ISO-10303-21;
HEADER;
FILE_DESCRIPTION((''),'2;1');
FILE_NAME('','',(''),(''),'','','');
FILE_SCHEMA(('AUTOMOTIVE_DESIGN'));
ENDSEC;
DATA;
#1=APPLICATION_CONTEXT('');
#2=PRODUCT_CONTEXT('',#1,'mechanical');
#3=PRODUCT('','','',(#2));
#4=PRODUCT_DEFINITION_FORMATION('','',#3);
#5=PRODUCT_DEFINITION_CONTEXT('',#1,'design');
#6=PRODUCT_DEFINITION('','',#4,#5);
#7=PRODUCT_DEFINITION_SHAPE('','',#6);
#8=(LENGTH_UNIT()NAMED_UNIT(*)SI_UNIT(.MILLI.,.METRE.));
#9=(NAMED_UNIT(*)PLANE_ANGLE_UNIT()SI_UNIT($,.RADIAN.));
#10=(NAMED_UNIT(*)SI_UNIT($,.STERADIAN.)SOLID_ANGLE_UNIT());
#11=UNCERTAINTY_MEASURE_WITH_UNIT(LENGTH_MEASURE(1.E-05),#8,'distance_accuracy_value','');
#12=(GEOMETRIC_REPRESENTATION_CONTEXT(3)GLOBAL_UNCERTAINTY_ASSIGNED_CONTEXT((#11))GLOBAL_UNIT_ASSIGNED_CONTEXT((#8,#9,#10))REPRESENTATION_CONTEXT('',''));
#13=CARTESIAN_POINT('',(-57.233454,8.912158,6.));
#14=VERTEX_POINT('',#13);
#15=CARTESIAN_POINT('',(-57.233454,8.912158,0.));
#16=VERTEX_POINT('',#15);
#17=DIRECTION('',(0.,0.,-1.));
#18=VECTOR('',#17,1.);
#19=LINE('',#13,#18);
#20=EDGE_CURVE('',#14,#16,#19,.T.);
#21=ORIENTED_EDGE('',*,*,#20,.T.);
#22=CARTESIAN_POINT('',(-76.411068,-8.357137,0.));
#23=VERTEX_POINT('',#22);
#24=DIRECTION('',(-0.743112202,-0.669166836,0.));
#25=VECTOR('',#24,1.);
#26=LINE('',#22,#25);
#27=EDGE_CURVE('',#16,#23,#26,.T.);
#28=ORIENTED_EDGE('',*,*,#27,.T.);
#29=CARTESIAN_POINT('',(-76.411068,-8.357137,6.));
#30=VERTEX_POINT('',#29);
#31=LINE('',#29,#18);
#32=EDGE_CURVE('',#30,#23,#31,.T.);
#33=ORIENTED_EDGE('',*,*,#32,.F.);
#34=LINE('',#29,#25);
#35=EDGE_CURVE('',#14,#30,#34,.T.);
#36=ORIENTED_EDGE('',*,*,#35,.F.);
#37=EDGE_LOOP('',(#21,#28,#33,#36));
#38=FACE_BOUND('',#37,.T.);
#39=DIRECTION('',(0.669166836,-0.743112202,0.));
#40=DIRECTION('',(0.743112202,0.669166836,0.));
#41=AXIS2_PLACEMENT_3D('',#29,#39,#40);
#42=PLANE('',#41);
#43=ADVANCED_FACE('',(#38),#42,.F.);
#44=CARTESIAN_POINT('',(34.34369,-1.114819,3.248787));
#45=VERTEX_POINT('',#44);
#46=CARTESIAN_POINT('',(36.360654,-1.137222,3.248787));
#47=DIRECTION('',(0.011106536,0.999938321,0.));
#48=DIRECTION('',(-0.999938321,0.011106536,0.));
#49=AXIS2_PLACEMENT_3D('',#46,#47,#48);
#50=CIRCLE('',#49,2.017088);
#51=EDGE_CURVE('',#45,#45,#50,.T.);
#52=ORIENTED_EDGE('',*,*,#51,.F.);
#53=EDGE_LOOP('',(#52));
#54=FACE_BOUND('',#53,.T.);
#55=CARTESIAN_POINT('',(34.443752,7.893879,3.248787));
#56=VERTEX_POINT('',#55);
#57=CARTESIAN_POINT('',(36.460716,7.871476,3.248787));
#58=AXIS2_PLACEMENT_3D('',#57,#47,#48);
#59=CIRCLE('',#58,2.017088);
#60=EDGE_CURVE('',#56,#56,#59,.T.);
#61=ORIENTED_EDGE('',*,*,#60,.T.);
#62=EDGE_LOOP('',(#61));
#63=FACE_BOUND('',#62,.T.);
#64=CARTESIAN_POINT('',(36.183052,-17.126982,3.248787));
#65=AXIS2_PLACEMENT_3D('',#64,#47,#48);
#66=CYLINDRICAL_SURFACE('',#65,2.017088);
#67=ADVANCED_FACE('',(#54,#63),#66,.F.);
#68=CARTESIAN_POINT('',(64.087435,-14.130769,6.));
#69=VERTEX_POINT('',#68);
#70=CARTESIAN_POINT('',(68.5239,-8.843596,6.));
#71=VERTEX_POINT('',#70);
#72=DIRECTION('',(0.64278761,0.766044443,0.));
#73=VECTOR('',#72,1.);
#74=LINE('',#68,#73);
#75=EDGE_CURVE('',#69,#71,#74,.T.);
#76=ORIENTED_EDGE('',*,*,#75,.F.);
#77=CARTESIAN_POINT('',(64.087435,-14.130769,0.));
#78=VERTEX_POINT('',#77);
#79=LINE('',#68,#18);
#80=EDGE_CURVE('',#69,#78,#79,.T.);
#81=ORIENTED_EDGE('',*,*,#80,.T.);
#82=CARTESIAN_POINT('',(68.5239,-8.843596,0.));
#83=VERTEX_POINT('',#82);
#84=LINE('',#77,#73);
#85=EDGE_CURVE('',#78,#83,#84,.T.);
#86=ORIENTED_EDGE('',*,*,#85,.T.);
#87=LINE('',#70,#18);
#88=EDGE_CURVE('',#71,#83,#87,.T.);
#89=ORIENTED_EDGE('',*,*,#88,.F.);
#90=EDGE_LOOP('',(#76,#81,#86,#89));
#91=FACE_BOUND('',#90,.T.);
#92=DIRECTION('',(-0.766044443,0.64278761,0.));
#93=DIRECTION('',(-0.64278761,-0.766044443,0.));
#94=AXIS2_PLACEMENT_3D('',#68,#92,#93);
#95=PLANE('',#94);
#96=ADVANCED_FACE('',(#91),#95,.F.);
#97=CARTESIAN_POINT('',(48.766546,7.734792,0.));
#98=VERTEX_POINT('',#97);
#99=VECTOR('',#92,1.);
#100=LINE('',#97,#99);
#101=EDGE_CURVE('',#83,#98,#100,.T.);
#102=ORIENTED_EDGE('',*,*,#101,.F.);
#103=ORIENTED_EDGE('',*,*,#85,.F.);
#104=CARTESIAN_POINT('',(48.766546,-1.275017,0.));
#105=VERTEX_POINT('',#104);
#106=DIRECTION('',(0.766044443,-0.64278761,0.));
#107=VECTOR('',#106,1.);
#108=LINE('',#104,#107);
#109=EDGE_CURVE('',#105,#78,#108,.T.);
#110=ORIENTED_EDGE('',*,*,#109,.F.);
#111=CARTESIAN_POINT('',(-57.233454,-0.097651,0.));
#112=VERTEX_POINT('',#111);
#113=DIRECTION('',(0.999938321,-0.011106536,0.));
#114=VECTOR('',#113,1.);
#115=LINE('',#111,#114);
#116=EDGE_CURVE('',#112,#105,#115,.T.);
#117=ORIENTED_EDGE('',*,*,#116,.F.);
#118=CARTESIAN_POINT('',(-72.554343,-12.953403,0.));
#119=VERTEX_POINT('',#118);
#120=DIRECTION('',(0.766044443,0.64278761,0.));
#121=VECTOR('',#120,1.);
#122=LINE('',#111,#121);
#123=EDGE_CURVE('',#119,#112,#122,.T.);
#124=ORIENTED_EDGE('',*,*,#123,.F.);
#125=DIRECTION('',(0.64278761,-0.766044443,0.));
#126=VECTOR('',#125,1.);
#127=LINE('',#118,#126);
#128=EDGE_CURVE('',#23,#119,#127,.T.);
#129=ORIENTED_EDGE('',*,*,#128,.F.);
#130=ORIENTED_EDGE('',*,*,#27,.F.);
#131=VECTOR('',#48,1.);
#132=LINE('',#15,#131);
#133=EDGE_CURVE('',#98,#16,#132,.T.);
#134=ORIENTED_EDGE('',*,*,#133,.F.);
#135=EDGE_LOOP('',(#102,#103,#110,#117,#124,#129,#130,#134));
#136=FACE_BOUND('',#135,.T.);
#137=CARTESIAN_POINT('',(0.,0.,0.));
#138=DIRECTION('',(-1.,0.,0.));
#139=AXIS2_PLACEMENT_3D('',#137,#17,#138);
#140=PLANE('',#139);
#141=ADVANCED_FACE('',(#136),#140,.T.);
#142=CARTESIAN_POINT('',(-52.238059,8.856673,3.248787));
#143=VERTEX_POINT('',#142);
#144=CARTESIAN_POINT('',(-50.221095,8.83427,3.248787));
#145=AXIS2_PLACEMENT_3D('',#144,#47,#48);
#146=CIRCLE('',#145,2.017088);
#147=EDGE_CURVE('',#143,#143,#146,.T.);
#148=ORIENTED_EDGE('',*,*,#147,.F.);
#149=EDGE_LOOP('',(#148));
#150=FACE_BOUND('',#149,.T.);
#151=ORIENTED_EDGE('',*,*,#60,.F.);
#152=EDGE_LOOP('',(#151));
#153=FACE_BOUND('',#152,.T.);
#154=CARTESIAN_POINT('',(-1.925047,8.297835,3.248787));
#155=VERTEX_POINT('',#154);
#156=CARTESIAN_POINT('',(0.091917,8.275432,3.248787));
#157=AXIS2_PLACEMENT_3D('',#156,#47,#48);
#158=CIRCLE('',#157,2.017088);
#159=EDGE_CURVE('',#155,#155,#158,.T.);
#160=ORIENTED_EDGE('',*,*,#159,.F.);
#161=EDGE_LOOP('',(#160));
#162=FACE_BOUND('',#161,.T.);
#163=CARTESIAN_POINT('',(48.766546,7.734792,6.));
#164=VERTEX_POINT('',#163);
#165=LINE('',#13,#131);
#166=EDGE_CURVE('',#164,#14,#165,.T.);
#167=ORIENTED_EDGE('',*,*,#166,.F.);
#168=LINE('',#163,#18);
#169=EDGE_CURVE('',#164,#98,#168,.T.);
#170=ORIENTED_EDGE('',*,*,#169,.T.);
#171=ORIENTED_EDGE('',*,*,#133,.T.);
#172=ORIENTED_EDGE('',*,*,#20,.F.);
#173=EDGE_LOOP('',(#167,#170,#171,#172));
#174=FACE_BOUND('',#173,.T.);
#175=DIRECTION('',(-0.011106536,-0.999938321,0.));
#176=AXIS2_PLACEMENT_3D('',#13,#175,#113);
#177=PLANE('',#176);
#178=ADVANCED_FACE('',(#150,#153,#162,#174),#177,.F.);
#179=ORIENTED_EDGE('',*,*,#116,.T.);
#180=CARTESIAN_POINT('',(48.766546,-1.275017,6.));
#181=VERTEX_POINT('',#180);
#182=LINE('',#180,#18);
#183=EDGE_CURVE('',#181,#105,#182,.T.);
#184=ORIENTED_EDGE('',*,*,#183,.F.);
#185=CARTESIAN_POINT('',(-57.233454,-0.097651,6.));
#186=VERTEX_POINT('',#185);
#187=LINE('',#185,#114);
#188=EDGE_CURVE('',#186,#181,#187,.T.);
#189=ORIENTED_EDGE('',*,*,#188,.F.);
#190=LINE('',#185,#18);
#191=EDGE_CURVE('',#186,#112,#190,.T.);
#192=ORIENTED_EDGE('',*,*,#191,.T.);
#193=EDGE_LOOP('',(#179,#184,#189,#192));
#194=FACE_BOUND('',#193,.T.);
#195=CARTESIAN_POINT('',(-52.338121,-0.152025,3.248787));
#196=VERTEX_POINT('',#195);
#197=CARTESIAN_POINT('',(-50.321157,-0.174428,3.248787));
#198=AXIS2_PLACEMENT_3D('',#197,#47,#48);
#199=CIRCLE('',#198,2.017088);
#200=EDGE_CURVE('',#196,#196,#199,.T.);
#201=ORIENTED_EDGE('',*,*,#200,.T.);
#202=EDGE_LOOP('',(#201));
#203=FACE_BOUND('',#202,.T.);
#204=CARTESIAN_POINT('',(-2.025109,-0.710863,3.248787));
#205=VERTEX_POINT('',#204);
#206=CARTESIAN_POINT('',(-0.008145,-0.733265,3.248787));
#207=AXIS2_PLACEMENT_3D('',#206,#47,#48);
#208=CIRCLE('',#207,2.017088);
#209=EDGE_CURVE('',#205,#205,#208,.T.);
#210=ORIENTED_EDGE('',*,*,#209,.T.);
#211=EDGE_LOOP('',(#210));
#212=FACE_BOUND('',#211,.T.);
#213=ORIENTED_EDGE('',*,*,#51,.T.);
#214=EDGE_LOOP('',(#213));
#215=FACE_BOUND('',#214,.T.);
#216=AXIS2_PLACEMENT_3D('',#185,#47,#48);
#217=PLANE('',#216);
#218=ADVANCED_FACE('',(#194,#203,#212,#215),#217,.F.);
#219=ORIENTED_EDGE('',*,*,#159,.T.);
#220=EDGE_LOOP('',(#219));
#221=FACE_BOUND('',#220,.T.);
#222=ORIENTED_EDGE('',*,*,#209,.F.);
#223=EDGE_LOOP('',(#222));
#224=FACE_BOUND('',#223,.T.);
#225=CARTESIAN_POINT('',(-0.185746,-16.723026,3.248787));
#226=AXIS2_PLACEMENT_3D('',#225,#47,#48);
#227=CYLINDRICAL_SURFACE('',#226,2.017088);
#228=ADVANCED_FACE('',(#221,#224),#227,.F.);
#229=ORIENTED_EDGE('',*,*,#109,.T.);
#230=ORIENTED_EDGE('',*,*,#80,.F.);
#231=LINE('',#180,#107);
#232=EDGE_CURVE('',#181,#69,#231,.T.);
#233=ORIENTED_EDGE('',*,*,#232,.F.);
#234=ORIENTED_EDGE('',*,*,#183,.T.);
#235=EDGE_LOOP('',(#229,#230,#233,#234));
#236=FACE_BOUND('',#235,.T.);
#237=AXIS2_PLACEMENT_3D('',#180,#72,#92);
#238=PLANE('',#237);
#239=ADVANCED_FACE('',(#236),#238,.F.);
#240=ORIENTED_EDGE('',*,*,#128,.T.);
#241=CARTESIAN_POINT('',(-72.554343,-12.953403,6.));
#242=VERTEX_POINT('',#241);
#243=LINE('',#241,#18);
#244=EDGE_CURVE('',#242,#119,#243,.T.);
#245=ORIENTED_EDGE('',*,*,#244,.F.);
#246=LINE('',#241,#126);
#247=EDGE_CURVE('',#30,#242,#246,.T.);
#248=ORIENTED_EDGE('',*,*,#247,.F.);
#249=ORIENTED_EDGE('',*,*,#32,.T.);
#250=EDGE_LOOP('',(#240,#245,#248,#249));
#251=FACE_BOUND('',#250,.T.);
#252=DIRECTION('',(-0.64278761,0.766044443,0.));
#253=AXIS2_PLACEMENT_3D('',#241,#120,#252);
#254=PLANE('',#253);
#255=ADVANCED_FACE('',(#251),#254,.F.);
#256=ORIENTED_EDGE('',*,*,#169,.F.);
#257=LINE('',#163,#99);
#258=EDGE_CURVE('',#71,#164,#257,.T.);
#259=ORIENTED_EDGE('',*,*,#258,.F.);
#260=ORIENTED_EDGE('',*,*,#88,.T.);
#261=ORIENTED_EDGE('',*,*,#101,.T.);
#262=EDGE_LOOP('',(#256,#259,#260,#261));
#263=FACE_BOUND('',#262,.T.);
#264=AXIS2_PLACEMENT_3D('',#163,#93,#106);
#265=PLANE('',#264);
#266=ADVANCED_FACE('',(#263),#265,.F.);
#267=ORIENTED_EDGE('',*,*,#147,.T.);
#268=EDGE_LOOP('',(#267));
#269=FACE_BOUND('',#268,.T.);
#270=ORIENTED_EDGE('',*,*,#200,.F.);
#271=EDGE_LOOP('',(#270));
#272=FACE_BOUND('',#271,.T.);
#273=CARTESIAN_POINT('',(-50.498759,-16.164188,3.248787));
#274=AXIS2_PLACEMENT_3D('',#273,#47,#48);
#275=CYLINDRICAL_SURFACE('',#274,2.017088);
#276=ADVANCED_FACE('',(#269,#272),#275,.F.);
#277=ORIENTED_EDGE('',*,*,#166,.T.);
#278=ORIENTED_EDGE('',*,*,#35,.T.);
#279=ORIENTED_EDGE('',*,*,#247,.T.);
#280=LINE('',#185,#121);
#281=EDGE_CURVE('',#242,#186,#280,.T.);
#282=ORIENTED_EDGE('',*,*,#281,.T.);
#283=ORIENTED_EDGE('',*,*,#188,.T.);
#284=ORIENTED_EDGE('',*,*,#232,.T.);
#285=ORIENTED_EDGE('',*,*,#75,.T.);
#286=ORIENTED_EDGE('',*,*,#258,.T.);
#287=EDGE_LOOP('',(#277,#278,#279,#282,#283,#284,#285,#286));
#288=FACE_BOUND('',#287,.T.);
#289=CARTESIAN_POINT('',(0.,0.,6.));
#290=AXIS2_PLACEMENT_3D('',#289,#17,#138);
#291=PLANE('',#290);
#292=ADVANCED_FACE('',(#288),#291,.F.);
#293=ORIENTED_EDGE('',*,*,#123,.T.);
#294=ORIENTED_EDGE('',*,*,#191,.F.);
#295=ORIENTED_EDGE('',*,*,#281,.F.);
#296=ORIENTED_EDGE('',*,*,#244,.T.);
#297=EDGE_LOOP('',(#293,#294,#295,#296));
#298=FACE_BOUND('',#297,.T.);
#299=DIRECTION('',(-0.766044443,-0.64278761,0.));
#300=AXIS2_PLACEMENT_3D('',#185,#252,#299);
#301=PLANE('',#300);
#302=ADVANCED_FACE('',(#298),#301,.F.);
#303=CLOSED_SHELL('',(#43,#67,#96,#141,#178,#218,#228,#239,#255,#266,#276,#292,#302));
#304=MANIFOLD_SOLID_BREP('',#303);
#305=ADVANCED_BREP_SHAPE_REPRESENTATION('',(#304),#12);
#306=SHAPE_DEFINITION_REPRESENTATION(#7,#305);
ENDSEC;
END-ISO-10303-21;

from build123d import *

# Parameters (mm, degrees)
BOSS_EXTRUDE1_DEPTH = 6
SKETCH2_R           = 2.017088466
CUT_EXTRUDE1_DEPTH  = 25


with BuildPart() as part:
    # Sketch1 → Boss-Extrude1 (new body)
    with BuildSketch(Plane.XY):
        Polygon((-57.233453794, -0.097651304), (48.766546206, -1.275016763), (64.087435069, -14.130768957), (68.523900043, -8.843595885), (48.766546206, 7.734792432), (-57.233453794, 8.912157892), (-76.411068314, -8.357136839), (-72.554342656, -12.953403497), align=None)
    extrude(amount=BOSS_EXTRUDE1_DEPTH)

    # Sketch2 → Cut-Extrude1 (cut)
    with BuildSketch(Plane(origin=(0.091917058, 8.275432311, 0), x_dir=(0.999938321, -0.011106536, 0), z_dir=(0.011106536, 0.999938321, 0))):
        with Locations((0, -3.248787457)):
            Circle(SKETCH2_R)
        with Locations((36.371042159, -3.248787457)):
            Circle(SKETCH2_R)
        with Locations((-50.316115852, -3.248787457)):
            Circle(SKETCH2_R)
    extrude(amount=-CUT_EXTRUDE1_DEPTH, mode=Mode.SUBTRACT)


solid = part.part
